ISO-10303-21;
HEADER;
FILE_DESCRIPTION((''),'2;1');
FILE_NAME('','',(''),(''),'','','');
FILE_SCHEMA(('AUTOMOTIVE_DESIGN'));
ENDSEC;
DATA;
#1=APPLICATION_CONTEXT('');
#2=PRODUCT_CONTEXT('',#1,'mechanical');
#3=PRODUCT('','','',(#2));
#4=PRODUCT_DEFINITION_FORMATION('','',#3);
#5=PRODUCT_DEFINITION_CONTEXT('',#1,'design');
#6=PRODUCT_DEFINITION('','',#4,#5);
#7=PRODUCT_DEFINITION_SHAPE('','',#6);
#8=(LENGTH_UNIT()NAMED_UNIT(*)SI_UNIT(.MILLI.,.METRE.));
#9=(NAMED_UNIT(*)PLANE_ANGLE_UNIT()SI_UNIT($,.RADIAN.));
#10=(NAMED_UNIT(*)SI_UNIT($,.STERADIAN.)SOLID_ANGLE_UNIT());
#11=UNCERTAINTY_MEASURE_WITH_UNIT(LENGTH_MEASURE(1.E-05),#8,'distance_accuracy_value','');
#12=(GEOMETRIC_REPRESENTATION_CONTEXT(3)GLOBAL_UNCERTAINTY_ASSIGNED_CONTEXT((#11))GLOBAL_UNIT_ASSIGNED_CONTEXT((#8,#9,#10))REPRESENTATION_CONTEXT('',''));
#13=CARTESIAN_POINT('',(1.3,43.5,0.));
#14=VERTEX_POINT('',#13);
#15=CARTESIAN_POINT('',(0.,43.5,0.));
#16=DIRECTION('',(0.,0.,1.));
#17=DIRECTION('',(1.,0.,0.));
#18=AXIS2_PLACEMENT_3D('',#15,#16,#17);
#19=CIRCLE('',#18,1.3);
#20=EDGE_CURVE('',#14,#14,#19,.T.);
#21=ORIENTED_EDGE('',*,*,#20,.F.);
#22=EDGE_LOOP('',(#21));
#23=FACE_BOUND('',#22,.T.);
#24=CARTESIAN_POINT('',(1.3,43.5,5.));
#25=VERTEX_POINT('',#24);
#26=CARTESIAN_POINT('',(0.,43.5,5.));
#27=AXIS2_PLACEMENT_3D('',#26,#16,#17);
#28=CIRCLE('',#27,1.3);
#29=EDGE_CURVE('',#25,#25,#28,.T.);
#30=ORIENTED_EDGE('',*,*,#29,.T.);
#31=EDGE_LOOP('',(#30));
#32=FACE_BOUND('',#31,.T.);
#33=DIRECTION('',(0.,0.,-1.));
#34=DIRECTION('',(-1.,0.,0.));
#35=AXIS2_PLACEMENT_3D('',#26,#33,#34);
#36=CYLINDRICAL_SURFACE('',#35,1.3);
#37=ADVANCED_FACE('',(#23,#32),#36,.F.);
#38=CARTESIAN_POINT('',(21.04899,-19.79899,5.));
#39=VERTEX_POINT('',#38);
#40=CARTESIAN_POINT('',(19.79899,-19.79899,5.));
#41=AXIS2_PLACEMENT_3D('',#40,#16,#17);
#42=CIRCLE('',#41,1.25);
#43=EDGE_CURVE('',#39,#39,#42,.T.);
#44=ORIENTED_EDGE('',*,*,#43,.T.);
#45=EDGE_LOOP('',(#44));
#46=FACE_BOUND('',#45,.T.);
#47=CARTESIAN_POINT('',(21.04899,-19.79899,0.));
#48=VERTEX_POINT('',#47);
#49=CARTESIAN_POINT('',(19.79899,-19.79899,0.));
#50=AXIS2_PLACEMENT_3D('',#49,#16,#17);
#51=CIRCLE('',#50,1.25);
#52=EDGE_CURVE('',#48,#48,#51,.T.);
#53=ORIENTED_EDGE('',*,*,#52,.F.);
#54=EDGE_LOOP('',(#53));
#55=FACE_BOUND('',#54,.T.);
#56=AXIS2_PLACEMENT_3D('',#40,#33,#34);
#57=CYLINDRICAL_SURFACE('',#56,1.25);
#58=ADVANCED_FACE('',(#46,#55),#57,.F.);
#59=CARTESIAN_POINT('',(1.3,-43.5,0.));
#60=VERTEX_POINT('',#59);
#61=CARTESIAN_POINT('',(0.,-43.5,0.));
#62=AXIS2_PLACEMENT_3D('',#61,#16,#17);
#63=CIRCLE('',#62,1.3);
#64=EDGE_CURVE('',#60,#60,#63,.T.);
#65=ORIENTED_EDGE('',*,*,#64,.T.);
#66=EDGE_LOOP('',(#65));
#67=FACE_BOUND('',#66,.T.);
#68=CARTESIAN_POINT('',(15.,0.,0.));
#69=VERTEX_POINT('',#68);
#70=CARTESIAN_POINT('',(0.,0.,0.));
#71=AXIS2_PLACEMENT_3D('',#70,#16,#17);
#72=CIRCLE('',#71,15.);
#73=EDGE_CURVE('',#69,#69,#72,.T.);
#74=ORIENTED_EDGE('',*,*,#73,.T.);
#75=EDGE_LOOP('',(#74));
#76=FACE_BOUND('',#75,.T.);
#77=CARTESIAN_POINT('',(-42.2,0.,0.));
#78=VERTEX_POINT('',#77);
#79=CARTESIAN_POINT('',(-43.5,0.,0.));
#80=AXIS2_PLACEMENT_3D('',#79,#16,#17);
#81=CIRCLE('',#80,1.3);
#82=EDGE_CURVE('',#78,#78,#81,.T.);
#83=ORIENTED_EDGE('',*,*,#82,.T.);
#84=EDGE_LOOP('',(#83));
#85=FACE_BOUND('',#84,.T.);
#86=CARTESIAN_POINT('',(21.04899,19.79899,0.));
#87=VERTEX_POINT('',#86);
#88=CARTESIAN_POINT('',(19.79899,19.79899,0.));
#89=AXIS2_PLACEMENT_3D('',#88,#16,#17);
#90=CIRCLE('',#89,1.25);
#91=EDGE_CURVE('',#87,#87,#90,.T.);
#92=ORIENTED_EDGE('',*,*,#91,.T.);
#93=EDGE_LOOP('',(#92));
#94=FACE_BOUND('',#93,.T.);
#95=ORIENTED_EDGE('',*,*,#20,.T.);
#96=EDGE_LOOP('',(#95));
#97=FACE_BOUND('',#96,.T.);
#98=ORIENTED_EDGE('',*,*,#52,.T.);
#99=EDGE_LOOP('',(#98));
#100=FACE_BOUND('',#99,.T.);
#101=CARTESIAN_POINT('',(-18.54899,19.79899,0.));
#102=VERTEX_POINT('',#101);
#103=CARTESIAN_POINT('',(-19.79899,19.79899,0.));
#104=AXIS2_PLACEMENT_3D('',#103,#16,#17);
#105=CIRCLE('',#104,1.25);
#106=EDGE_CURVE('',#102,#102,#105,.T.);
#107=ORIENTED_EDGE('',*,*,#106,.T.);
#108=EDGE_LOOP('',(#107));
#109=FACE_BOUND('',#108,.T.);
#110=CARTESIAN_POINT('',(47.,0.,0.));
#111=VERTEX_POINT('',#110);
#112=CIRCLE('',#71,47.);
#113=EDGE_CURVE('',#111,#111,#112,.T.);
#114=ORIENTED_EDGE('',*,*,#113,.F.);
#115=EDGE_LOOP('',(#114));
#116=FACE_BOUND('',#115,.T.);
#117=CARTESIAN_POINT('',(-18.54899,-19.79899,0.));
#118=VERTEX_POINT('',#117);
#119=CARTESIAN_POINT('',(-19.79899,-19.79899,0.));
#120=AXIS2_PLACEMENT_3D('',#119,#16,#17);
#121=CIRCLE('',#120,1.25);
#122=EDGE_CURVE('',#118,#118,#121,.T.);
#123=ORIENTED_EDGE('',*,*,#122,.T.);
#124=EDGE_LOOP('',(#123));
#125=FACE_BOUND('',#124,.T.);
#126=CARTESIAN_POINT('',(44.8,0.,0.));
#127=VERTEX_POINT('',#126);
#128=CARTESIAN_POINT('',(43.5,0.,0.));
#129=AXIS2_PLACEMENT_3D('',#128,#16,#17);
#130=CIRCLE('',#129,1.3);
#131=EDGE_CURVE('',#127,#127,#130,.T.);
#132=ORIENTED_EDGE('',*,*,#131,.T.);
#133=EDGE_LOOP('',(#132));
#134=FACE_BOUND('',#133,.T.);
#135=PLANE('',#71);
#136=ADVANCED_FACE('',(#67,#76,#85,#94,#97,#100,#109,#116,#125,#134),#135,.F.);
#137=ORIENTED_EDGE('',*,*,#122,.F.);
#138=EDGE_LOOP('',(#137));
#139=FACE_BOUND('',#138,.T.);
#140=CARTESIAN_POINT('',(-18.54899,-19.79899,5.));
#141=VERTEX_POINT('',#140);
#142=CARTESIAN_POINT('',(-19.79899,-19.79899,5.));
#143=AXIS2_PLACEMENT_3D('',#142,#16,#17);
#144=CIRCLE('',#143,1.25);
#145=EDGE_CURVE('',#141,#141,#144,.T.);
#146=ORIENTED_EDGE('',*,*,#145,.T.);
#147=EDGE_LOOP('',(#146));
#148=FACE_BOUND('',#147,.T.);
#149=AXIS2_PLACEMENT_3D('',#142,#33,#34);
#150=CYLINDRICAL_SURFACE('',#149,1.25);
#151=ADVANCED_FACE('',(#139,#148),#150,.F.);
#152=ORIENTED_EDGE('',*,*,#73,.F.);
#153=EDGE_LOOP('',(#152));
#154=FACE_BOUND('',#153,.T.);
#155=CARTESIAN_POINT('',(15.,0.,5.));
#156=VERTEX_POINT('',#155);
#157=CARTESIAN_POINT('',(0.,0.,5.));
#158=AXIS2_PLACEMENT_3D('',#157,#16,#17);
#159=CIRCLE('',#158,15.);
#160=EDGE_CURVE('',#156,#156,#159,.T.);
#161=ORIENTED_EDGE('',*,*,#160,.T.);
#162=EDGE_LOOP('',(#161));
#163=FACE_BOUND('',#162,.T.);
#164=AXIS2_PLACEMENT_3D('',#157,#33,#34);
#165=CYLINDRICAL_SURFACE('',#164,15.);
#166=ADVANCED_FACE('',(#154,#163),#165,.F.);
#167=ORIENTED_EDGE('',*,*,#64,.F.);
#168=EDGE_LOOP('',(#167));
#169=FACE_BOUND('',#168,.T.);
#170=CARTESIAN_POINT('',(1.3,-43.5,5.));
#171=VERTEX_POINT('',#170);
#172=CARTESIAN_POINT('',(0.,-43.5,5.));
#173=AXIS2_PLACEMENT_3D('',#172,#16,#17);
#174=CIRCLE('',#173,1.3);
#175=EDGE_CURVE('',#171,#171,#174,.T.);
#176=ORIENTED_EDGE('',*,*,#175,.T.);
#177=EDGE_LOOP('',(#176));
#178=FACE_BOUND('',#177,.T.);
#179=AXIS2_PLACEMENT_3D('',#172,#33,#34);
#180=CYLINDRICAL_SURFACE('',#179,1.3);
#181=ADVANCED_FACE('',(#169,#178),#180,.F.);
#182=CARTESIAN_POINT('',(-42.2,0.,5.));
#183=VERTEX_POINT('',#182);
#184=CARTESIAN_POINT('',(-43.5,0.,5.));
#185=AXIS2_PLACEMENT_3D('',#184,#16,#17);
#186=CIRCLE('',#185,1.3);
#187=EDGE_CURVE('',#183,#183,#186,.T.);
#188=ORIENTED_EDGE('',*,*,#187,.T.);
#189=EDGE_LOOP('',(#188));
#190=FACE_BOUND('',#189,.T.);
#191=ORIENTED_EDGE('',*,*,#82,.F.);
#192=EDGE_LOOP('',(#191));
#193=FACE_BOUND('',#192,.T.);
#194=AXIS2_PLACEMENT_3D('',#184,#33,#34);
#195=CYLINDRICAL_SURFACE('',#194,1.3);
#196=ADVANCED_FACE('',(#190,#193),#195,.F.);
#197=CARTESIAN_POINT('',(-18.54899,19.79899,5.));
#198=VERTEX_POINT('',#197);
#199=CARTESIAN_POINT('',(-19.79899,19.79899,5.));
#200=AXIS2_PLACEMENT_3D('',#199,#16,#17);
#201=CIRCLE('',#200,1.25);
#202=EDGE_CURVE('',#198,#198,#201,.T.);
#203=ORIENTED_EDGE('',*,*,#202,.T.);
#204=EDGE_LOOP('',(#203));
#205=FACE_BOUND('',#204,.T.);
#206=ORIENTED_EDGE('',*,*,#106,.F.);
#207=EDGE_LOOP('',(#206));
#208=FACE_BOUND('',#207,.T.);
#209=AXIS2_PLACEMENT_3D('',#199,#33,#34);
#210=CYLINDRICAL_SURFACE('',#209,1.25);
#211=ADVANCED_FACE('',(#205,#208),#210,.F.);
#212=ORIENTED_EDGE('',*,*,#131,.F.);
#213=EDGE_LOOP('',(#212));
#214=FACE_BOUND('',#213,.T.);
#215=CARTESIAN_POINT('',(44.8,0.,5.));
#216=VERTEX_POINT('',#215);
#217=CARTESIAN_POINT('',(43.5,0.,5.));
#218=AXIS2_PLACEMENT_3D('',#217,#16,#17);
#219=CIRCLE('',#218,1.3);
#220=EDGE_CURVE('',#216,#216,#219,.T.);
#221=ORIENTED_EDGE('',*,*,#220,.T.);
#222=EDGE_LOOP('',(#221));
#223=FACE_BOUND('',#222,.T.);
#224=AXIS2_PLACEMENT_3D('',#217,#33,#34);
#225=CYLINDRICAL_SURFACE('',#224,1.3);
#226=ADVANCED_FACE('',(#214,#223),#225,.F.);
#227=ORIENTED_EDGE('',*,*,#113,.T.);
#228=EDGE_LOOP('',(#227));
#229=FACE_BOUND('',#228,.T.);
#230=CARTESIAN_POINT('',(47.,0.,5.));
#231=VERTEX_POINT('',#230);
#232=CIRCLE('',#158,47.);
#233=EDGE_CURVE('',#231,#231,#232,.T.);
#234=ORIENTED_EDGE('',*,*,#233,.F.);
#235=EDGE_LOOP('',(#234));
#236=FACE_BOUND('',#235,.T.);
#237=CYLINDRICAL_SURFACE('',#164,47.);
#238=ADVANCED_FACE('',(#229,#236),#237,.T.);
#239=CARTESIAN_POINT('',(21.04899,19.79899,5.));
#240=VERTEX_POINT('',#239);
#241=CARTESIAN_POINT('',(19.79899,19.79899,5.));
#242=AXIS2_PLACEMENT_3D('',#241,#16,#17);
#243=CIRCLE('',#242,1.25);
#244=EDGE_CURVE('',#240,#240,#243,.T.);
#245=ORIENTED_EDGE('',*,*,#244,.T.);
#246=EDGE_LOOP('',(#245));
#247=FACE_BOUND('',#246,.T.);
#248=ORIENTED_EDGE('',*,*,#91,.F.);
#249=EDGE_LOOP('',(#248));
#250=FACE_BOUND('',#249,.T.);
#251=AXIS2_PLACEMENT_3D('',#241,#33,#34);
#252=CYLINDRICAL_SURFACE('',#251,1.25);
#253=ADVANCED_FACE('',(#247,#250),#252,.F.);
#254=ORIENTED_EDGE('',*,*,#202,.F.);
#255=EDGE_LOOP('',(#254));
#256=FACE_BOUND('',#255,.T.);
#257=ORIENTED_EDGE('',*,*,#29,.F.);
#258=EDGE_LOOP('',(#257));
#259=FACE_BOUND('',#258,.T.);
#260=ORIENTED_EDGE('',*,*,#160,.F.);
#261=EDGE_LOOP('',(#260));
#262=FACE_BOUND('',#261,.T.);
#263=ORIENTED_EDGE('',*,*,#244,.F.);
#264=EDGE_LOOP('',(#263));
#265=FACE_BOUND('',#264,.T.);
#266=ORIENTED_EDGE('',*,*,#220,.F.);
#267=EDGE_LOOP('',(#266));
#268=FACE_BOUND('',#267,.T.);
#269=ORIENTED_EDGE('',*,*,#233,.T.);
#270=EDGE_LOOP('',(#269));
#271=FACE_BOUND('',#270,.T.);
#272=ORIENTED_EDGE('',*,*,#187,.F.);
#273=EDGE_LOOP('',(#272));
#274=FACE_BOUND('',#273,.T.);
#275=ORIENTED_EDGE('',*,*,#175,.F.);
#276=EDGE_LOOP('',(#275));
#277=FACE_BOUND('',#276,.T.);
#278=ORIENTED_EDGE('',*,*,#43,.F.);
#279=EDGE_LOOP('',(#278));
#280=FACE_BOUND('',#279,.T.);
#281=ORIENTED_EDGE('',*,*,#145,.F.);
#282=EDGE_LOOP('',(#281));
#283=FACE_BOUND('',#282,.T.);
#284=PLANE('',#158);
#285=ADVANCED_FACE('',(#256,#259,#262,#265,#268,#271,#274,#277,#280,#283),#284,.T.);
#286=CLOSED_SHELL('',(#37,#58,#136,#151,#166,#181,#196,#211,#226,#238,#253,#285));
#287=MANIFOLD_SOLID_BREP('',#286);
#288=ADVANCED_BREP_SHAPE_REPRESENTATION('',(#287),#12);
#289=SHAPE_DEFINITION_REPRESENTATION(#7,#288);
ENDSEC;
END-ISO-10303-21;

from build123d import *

# Parameters (mm, degrees)
SKETCH1_R           = 47
SKETCH1_R_2         = 1.3
SKETCH1_R_3         = 15
SKETCH1_R_4         = 1.25
BOSS_EXTRUDE1_DEPTH = 5


with BuildPart() as part:
    # Sketch1 → Boss-Extrude1 (new body)
    with BuildSketch(Plane.XY):
        Circle(SKETCH1_R)
        with Locations((0, 43.5)):
            Circle(SKETCH1_R_2, mode=Mode.SUBTRACT)
        with Locations((43.5, 0)):
            Circle(SKETCH1_R_2, mode=Mode.SUBTRACT)
        with Locations((0, -43.5)):
            Circle(SKETCH1_R_2, mode=Mode.SUBTRACT)
        with Locations((-43.5, 0)):
            Circle(SKETCH1_R_2, mode=Mode.SUBTRACT)
        Circle(SKETCH1_R_3, mode=Mode.SUBTRACT)
        with Locations((-19.798989873, 19.798989873)):
            Circle(SKETCH1_R_4, mode=Mode.SUBTRACT)
        with Locations((19.798989873, 19.798989873)):
            Circle(SKETCH1_R_4, mode=Mode.SUBTRACT)
        with Locations((19.798989873, -19.798989873)):
            Circle(SKETCH1_R_4, mode=Mode.SUBTRACT)
        with Locations((-19.798989873, -19.798989873)):
            Circle(SKETCH1_R_4, mode=Mode.SUBTRACT)
    extrude(amount=BOSS_EXTRUDE1_DEPTH)


solid = part.part
